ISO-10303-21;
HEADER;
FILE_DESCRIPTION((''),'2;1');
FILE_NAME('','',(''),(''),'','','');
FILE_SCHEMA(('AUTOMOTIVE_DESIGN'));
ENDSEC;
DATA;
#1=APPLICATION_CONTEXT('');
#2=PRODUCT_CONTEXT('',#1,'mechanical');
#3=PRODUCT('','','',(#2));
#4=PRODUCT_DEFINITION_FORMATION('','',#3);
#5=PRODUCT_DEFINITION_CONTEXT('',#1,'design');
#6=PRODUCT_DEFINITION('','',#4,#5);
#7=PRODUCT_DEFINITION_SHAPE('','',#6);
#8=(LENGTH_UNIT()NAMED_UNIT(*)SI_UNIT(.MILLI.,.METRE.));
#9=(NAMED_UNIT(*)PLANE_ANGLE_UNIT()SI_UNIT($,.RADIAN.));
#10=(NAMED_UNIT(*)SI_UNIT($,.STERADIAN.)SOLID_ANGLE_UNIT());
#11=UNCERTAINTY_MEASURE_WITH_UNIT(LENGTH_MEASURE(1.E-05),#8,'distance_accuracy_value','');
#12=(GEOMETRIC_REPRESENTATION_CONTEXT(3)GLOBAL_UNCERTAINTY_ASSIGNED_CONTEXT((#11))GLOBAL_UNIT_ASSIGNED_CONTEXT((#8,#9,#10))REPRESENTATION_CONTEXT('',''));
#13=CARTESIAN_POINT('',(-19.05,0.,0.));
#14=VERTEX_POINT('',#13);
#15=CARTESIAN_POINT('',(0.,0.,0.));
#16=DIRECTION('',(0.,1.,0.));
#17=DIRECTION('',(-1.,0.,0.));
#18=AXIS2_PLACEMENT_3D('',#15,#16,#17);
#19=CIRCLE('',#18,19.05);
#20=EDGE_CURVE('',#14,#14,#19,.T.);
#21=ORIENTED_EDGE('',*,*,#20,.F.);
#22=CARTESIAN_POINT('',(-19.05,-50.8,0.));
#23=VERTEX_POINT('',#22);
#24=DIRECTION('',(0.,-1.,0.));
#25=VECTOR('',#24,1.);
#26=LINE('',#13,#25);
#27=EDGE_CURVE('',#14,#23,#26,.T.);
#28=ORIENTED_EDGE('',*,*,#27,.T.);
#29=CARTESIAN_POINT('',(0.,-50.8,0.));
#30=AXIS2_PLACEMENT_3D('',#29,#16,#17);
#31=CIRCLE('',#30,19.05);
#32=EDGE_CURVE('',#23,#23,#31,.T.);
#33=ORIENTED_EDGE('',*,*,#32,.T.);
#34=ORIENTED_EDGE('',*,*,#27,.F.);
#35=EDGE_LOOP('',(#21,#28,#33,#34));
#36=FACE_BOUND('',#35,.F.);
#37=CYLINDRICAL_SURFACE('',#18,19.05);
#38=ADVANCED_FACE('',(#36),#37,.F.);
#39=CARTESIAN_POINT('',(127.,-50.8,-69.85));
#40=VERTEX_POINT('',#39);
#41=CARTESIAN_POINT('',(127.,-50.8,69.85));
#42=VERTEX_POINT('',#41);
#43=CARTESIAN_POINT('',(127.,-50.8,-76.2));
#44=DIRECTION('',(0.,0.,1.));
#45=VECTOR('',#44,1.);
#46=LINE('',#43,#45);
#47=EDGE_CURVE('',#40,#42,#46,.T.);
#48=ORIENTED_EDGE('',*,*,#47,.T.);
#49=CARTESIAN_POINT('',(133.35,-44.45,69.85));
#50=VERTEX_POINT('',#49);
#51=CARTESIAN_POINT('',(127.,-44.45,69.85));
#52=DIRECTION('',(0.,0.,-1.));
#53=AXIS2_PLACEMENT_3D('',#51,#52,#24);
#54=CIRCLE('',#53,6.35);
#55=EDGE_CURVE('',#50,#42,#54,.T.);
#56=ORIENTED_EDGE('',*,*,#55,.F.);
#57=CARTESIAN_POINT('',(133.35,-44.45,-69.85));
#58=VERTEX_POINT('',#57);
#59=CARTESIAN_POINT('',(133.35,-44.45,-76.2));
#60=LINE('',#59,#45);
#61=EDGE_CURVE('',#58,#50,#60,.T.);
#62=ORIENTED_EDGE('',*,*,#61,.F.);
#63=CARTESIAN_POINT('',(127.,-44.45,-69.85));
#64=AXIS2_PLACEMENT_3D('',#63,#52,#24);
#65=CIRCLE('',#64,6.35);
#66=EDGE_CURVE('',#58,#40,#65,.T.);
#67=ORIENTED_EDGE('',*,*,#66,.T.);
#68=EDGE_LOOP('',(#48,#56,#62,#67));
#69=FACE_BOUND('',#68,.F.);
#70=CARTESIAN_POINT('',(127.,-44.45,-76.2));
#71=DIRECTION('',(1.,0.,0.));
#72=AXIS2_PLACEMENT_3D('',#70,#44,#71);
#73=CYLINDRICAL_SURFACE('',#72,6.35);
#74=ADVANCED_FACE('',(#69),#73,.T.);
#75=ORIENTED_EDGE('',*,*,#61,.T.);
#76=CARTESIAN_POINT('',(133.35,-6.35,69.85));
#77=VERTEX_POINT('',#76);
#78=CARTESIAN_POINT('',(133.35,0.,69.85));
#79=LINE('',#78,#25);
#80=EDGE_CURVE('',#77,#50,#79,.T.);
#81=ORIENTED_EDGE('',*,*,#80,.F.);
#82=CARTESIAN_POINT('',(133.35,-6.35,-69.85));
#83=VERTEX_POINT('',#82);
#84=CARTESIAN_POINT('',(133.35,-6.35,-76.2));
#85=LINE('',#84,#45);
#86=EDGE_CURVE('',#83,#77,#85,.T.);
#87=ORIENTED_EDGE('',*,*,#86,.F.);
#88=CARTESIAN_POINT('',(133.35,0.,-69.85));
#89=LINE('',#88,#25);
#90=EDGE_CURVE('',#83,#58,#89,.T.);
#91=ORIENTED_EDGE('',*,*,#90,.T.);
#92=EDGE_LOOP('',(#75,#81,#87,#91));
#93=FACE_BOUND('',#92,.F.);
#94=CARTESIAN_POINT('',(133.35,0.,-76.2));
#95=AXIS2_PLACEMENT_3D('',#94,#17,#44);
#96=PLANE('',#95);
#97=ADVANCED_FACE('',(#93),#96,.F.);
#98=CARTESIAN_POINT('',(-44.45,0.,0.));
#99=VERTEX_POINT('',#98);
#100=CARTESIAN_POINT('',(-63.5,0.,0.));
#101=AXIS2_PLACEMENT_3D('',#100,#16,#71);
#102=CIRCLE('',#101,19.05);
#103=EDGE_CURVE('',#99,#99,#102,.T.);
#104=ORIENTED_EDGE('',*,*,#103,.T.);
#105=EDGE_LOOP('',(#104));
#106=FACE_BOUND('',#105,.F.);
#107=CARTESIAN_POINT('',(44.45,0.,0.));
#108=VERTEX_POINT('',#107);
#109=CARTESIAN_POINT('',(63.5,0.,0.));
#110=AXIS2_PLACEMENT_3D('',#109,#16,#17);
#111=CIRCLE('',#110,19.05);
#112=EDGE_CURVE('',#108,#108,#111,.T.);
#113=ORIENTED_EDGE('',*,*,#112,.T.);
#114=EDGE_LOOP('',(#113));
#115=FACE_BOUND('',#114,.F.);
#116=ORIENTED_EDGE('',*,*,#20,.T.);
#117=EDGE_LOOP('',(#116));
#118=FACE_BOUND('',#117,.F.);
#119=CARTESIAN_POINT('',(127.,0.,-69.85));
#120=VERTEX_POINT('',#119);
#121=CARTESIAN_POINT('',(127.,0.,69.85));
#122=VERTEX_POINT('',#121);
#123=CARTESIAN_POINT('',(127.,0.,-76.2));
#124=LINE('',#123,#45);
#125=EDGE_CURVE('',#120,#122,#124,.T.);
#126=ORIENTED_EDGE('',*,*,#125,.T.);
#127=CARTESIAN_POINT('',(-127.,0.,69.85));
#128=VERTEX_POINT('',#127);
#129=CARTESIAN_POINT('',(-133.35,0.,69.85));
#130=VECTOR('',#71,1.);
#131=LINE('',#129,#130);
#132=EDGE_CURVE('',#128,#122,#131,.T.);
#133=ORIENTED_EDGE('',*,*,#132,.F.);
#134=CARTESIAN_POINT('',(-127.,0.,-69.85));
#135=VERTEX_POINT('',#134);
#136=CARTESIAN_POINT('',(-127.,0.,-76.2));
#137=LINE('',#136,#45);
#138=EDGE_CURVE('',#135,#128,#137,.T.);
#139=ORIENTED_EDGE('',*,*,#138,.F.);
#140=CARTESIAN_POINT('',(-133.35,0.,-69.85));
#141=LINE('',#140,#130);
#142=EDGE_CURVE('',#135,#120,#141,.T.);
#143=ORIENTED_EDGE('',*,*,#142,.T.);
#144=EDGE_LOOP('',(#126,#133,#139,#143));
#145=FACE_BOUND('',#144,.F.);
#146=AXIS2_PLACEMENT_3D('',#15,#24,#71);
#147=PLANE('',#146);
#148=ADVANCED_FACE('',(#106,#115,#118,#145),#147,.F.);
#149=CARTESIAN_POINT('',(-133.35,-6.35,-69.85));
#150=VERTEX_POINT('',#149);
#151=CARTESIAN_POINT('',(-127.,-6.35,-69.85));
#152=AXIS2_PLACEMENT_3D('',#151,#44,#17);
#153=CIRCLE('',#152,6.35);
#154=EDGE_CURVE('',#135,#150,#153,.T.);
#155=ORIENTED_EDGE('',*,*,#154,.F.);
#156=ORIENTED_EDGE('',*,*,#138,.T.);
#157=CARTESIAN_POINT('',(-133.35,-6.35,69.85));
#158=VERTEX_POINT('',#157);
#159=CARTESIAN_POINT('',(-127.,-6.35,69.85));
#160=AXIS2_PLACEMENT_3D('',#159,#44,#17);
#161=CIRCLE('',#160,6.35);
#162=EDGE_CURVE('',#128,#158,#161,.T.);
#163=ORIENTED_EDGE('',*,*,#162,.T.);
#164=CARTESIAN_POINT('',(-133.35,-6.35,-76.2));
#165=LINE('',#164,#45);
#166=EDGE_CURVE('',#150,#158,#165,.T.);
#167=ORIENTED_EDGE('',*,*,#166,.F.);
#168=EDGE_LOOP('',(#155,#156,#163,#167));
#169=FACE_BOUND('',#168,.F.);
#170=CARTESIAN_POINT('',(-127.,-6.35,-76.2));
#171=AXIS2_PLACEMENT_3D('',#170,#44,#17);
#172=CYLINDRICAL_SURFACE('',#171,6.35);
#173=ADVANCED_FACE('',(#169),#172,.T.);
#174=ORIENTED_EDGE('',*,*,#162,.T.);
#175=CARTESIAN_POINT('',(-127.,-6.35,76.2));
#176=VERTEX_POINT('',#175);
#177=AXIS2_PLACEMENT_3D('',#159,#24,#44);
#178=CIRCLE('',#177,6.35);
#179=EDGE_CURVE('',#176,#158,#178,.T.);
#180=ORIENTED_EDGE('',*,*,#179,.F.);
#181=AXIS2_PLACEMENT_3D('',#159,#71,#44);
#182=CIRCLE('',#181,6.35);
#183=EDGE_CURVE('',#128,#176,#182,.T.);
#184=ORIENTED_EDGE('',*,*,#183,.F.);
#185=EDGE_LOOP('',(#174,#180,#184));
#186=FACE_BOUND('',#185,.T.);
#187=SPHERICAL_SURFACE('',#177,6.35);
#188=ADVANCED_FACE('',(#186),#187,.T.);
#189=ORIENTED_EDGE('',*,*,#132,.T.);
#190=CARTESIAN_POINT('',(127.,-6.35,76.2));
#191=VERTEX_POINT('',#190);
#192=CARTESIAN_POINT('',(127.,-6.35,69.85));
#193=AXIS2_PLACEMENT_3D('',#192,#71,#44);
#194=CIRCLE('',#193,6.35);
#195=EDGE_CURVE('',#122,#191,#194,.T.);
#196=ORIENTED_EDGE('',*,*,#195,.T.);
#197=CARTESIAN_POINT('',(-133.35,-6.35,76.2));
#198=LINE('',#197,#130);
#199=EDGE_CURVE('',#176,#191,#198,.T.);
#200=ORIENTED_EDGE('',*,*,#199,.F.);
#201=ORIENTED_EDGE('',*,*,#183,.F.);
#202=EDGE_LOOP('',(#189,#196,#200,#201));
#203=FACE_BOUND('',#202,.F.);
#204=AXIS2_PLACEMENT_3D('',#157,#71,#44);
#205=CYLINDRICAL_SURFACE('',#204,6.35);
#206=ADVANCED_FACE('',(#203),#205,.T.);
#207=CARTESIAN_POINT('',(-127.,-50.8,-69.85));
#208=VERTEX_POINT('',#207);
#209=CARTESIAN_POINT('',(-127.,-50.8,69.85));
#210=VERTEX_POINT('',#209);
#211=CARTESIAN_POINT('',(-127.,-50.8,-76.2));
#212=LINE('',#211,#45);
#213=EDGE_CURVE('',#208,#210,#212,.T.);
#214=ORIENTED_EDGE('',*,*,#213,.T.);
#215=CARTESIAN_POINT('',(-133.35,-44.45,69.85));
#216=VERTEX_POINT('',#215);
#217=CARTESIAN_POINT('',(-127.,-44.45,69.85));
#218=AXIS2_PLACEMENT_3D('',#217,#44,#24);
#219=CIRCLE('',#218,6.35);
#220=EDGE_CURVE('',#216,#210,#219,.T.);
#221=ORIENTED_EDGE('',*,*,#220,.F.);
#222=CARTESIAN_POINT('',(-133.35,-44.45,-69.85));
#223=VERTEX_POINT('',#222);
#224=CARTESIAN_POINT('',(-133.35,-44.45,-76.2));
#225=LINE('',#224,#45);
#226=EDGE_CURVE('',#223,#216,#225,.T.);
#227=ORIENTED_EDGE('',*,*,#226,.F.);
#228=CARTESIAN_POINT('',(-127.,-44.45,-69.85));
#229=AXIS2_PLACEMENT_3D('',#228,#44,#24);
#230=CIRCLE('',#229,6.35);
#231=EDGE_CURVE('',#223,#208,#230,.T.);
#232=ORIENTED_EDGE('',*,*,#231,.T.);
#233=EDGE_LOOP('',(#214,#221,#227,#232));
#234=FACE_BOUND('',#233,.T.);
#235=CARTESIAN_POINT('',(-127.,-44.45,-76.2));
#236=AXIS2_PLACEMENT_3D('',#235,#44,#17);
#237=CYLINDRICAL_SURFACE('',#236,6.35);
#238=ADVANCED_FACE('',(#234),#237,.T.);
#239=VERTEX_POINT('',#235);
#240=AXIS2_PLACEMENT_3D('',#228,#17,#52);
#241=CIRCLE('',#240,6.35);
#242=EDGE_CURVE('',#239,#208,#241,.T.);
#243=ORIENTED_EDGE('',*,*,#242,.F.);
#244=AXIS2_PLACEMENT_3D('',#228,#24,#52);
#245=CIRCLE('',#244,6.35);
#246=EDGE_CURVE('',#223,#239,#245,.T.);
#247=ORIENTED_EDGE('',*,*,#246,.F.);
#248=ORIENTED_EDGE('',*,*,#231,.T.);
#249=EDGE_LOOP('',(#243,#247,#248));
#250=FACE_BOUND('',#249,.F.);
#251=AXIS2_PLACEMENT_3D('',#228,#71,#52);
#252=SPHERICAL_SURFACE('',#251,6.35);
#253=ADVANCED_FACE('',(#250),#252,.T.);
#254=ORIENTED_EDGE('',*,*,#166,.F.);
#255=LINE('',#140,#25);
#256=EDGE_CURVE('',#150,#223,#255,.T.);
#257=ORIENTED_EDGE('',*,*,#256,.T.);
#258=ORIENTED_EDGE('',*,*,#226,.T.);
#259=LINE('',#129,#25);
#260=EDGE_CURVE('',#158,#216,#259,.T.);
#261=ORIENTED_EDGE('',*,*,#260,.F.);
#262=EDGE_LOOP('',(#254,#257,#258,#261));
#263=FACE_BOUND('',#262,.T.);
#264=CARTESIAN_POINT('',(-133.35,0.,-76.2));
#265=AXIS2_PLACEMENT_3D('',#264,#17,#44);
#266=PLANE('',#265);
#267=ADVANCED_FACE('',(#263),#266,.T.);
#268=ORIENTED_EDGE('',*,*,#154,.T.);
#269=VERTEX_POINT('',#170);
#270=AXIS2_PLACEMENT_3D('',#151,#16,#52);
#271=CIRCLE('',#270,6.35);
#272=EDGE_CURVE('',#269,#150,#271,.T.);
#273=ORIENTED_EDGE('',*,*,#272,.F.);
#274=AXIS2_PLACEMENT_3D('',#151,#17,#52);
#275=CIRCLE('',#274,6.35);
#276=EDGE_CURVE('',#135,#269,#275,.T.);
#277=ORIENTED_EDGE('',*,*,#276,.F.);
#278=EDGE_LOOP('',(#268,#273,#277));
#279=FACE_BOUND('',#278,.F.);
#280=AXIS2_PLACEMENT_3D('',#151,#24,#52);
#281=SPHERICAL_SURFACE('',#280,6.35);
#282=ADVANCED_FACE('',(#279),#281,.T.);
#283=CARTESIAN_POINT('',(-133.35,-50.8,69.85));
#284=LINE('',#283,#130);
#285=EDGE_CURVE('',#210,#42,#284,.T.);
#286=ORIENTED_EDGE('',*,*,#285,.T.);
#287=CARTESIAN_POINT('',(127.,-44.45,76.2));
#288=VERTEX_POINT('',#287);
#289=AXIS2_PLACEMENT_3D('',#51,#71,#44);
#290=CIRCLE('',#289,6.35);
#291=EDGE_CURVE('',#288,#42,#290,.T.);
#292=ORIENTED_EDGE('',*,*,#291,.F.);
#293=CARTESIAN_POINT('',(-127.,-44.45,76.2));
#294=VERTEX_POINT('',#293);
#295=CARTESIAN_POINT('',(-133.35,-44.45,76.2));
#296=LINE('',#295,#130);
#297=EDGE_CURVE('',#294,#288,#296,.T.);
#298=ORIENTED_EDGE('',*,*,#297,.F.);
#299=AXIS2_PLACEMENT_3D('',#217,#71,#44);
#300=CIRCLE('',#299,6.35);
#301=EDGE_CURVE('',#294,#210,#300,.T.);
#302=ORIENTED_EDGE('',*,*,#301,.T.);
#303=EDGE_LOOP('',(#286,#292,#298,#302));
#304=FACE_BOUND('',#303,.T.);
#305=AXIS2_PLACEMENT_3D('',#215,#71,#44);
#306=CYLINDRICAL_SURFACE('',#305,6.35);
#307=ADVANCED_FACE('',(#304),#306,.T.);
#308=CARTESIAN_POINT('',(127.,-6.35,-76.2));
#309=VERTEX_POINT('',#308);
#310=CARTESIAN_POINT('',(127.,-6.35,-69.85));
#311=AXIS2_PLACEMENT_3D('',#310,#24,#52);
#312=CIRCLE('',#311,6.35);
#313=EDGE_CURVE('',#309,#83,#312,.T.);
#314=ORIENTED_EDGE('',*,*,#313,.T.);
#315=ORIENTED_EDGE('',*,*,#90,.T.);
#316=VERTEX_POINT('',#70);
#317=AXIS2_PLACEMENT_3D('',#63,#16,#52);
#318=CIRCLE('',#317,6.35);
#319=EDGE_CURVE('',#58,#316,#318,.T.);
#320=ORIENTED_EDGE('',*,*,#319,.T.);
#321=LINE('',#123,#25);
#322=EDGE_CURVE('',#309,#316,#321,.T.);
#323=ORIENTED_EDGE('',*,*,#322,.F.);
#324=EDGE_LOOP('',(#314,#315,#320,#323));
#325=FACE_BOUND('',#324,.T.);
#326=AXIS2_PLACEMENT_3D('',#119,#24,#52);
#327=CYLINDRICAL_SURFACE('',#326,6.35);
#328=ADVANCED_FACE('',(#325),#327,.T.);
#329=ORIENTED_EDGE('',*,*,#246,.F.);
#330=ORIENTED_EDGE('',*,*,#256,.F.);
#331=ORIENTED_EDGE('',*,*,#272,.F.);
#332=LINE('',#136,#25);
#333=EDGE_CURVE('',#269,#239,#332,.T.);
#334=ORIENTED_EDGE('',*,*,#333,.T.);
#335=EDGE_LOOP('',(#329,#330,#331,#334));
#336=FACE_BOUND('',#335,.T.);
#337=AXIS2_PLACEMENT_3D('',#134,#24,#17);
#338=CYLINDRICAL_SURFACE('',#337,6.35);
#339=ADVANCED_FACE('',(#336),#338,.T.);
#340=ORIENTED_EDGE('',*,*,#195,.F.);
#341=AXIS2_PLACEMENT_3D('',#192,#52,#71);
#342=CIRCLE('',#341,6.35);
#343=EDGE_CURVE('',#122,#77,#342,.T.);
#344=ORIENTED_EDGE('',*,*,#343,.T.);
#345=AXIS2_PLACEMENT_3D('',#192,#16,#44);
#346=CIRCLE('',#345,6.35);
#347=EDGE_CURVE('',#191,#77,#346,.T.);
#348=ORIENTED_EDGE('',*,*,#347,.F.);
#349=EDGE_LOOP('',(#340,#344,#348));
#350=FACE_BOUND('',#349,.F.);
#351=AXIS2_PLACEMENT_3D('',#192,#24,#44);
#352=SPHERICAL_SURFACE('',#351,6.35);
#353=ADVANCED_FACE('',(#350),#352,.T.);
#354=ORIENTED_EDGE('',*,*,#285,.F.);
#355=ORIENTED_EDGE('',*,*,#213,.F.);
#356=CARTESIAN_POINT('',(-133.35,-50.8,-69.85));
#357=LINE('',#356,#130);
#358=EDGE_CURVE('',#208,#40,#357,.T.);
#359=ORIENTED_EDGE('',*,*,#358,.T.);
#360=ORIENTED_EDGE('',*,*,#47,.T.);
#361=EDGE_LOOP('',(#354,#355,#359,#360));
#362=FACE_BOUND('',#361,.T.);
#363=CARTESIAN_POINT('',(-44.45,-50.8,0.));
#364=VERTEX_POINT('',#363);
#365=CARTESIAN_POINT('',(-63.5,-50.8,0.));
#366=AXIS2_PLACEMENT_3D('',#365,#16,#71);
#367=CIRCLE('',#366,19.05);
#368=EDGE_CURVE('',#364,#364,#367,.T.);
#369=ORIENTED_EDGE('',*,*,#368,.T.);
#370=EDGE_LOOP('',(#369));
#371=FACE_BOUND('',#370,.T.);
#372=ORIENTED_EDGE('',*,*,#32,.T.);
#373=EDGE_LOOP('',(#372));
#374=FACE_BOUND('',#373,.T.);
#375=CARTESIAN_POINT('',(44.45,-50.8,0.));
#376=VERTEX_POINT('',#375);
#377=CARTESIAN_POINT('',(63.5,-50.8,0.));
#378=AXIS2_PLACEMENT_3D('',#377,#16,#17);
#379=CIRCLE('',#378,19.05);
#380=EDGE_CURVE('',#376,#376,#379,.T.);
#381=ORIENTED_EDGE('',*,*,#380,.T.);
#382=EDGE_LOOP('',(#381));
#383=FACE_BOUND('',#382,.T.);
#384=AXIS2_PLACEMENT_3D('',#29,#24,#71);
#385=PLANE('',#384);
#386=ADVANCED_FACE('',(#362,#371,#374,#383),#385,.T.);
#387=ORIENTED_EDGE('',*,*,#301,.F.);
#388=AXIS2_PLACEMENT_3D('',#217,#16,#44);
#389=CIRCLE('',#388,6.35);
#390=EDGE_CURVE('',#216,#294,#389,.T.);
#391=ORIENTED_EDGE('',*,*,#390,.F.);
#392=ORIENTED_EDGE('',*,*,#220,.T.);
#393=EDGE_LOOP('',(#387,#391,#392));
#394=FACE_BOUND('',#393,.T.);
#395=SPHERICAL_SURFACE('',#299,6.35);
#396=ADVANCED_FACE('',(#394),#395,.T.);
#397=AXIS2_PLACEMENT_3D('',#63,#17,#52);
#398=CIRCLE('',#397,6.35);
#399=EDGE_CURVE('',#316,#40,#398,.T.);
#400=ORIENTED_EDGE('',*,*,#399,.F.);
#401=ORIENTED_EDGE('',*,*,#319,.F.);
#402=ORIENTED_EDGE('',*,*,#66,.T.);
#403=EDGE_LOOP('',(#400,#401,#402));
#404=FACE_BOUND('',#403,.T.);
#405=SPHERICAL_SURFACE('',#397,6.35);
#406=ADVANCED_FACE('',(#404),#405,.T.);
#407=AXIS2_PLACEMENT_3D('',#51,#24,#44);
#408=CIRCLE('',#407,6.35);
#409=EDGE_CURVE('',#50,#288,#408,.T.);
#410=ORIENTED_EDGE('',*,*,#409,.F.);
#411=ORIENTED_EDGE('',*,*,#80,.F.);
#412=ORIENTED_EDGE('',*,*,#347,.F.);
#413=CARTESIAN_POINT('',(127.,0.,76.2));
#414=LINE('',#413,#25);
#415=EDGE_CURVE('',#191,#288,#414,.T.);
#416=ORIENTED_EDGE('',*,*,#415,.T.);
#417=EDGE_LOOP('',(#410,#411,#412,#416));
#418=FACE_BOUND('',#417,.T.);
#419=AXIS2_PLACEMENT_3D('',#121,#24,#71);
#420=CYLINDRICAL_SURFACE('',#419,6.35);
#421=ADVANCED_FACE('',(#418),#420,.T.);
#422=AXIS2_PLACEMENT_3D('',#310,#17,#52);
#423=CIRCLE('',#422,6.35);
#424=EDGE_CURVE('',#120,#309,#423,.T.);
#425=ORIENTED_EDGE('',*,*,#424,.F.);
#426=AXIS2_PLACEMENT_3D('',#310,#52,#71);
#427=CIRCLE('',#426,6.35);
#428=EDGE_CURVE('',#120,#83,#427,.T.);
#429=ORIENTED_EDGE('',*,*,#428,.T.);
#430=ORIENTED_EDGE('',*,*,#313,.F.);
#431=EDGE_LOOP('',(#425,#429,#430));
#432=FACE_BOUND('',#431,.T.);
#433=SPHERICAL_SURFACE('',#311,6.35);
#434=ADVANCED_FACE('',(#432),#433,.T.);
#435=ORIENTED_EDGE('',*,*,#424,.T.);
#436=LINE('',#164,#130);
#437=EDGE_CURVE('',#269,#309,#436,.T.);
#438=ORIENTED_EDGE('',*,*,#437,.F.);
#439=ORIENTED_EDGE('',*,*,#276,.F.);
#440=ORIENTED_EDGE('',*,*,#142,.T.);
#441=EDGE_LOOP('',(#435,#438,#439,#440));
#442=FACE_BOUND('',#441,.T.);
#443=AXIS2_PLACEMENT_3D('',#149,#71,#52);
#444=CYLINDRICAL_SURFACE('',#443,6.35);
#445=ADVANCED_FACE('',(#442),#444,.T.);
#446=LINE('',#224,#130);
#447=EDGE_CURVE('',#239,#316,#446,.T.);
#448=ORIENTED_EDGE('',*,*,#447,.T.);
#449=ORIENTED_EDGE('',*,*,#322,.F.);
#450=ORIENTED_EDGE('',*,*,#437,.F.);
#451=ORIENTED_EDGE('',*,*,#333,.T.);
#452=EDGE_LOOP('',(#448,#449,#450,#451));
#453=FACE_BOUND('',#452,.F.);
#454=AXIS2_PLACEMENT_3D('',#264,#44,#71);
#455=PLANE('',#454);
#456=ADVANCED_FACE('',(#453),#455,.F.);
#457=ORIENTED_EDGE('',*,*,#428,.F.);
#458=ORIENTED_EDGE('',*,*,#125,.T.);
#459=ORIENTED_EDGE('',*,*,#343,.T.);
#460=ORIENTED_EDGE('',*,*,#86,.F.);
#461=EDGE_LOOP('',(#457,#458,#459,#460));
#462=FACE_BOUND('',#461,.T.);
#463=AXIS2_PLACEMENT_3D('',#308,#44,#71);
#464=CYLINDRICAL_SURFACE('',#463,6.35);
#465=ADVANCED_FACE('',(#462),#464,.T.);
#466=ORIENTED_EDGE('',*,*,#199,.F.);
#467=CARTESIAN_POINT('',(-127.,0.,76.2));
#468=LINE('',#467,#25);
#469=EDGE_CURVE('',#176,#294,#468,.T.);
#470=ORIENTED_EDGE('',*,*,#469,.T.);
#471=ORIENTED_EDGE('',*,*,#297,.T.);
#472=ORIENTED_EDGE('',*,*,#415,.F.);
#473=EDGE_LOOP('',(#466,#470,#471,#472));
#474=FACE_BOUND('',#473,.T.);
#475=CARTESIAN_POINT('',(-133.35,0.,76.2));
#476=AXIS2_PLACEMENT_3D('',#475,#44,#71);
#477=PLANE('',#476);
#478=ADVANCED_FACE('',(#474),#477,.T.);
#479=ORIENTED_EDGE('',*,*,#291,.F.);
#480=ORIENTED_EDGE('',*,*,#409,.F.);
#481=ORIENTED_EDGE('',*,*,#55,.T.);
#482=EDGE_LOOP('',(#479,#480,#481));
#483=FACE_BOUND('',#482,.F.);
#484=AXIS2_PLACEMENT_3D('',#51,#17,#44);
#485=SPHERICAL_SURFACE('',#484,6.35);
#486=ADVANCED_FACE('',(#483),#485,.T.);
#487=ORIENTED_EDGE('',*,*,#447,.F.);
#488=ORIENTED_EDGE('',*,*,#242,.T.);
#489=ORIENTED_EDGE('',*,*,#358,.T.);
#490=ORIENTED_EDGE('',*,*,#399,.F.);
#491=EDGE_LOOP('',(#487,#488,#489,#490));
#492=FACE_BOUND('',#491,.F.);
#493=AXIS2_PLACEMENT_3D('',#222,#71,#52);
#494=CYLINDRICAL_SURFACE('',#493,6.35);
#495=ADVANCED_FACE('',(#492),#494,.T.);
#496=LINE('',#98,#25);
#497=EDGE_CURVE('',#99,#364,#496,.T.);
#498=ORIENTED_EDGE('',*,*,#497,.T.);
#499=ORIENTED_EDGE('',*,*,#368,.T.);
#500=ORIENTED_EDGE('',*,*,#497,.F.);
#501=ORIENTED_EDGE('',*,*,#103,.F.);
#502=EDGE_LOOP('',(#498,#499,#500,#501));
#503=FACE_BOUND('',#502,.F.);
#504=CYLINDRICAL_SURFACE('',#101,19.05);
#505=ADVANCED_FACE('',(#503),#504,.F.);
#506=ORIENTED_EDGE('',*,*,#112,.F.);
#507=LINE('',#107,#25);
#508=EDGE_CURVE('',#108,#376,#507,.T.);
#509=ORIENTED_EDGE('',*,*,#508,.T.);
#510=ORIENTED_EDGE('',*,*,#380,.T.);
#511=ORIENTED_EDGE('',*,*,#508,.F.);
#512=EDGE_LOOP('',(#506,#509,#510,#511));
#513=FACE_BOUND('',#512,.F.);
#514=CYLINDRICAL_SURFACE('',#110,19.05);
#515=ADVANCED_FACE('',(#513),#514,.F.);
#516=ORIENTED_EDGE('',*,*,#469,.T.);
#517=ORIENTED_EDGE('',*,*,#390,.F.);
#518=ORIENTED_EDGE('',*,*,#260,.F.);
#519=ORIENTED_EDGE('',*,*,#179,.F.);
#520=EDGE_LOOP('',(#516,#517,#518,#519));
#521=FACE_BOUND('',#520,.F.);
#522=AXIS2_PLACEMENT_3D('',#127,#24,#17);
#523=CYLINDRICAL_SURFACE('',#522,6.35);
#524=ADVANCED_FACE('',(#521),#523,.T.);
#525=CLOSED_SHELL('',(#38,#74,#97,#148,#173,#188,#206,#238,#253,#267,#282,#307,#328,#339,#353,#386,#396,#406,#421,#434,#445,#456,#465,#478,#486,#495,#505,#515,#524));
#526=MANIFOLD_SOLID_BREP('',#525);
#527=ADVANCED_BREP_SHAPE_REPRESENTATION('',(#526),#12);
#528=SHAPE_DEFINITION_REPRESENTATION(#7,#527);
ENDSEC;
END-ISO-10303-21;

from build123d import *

# Parameters (mm, degrees)
F0_W     = 266.7
F0_H     = 152.4
F1_DEPTH = 50.8
F2_R     = 6.35
F3_R     = 19.05
F4_DEPTH = 63.5


with BuildPart() as f1:
    # F0 (on Front) → F1 (new body)
    with BuildSketch(Plane.XZ):
        Rectangle(F0_W, F0_H)
    extrude(amount=F1_DEPTH)

    # F2
    f2_edges = [f1.edges().sort_by_distance(p)[0] for p in [
        (0, -50.8, 76.2),
        (133.35, -25.4, 76.2),
        (-133.35, -25.4, 76.2),
        (0, 0, 76.2),
        (0, -50.8, -76.2),
        (-133.35, -25.4, -76.2),
        (133.35, -25.4, -76.2),
        (0, 0, -76.2),
        (-133.35, -50.8, 0),
        (-133.35, 0, 0),
        (133.35, -50.8, 0),
        (133.35, 0, 0),
    ]]
    fillet(f2_edges, radius=F2_R)

    # F3 (on face) → F4 (cut)
    with BuildSketch(Plane(origin=(0, 0, 0), x_dir=(-1, 0, 0), z_dir=(0, 1, 0))):
        with Locations((-63.5, 0)):
            Circle(F3_R)
        with BuildLine():
            ThreePointArc((-19.05, 0), (0, -19.05), (19.05, 0))
            Line((19.05, 0), (0, 0))
            Line((0, 0), (-19.05, 0))
        make_face()
        with BuildLine():
            Line((0, 0), (19.05, 0))
            ThreePointArc((19.05, 0), (0, 19.05), (-19.05, 0))
            Line((-19.05, 0), (0, 0))
        make_face()
        with BuildLine():
            ThreePointArc((82.55, 0), (63.5, 19.05), (44.45, 0))
            ThreePointArc((44.45, 0), (63.5, -19.05), (82.55, 0))
        make_face()
    extrude(amount=-F4_DEPTH, mode=Mode.SUBTRACT)


solid = f1.part
